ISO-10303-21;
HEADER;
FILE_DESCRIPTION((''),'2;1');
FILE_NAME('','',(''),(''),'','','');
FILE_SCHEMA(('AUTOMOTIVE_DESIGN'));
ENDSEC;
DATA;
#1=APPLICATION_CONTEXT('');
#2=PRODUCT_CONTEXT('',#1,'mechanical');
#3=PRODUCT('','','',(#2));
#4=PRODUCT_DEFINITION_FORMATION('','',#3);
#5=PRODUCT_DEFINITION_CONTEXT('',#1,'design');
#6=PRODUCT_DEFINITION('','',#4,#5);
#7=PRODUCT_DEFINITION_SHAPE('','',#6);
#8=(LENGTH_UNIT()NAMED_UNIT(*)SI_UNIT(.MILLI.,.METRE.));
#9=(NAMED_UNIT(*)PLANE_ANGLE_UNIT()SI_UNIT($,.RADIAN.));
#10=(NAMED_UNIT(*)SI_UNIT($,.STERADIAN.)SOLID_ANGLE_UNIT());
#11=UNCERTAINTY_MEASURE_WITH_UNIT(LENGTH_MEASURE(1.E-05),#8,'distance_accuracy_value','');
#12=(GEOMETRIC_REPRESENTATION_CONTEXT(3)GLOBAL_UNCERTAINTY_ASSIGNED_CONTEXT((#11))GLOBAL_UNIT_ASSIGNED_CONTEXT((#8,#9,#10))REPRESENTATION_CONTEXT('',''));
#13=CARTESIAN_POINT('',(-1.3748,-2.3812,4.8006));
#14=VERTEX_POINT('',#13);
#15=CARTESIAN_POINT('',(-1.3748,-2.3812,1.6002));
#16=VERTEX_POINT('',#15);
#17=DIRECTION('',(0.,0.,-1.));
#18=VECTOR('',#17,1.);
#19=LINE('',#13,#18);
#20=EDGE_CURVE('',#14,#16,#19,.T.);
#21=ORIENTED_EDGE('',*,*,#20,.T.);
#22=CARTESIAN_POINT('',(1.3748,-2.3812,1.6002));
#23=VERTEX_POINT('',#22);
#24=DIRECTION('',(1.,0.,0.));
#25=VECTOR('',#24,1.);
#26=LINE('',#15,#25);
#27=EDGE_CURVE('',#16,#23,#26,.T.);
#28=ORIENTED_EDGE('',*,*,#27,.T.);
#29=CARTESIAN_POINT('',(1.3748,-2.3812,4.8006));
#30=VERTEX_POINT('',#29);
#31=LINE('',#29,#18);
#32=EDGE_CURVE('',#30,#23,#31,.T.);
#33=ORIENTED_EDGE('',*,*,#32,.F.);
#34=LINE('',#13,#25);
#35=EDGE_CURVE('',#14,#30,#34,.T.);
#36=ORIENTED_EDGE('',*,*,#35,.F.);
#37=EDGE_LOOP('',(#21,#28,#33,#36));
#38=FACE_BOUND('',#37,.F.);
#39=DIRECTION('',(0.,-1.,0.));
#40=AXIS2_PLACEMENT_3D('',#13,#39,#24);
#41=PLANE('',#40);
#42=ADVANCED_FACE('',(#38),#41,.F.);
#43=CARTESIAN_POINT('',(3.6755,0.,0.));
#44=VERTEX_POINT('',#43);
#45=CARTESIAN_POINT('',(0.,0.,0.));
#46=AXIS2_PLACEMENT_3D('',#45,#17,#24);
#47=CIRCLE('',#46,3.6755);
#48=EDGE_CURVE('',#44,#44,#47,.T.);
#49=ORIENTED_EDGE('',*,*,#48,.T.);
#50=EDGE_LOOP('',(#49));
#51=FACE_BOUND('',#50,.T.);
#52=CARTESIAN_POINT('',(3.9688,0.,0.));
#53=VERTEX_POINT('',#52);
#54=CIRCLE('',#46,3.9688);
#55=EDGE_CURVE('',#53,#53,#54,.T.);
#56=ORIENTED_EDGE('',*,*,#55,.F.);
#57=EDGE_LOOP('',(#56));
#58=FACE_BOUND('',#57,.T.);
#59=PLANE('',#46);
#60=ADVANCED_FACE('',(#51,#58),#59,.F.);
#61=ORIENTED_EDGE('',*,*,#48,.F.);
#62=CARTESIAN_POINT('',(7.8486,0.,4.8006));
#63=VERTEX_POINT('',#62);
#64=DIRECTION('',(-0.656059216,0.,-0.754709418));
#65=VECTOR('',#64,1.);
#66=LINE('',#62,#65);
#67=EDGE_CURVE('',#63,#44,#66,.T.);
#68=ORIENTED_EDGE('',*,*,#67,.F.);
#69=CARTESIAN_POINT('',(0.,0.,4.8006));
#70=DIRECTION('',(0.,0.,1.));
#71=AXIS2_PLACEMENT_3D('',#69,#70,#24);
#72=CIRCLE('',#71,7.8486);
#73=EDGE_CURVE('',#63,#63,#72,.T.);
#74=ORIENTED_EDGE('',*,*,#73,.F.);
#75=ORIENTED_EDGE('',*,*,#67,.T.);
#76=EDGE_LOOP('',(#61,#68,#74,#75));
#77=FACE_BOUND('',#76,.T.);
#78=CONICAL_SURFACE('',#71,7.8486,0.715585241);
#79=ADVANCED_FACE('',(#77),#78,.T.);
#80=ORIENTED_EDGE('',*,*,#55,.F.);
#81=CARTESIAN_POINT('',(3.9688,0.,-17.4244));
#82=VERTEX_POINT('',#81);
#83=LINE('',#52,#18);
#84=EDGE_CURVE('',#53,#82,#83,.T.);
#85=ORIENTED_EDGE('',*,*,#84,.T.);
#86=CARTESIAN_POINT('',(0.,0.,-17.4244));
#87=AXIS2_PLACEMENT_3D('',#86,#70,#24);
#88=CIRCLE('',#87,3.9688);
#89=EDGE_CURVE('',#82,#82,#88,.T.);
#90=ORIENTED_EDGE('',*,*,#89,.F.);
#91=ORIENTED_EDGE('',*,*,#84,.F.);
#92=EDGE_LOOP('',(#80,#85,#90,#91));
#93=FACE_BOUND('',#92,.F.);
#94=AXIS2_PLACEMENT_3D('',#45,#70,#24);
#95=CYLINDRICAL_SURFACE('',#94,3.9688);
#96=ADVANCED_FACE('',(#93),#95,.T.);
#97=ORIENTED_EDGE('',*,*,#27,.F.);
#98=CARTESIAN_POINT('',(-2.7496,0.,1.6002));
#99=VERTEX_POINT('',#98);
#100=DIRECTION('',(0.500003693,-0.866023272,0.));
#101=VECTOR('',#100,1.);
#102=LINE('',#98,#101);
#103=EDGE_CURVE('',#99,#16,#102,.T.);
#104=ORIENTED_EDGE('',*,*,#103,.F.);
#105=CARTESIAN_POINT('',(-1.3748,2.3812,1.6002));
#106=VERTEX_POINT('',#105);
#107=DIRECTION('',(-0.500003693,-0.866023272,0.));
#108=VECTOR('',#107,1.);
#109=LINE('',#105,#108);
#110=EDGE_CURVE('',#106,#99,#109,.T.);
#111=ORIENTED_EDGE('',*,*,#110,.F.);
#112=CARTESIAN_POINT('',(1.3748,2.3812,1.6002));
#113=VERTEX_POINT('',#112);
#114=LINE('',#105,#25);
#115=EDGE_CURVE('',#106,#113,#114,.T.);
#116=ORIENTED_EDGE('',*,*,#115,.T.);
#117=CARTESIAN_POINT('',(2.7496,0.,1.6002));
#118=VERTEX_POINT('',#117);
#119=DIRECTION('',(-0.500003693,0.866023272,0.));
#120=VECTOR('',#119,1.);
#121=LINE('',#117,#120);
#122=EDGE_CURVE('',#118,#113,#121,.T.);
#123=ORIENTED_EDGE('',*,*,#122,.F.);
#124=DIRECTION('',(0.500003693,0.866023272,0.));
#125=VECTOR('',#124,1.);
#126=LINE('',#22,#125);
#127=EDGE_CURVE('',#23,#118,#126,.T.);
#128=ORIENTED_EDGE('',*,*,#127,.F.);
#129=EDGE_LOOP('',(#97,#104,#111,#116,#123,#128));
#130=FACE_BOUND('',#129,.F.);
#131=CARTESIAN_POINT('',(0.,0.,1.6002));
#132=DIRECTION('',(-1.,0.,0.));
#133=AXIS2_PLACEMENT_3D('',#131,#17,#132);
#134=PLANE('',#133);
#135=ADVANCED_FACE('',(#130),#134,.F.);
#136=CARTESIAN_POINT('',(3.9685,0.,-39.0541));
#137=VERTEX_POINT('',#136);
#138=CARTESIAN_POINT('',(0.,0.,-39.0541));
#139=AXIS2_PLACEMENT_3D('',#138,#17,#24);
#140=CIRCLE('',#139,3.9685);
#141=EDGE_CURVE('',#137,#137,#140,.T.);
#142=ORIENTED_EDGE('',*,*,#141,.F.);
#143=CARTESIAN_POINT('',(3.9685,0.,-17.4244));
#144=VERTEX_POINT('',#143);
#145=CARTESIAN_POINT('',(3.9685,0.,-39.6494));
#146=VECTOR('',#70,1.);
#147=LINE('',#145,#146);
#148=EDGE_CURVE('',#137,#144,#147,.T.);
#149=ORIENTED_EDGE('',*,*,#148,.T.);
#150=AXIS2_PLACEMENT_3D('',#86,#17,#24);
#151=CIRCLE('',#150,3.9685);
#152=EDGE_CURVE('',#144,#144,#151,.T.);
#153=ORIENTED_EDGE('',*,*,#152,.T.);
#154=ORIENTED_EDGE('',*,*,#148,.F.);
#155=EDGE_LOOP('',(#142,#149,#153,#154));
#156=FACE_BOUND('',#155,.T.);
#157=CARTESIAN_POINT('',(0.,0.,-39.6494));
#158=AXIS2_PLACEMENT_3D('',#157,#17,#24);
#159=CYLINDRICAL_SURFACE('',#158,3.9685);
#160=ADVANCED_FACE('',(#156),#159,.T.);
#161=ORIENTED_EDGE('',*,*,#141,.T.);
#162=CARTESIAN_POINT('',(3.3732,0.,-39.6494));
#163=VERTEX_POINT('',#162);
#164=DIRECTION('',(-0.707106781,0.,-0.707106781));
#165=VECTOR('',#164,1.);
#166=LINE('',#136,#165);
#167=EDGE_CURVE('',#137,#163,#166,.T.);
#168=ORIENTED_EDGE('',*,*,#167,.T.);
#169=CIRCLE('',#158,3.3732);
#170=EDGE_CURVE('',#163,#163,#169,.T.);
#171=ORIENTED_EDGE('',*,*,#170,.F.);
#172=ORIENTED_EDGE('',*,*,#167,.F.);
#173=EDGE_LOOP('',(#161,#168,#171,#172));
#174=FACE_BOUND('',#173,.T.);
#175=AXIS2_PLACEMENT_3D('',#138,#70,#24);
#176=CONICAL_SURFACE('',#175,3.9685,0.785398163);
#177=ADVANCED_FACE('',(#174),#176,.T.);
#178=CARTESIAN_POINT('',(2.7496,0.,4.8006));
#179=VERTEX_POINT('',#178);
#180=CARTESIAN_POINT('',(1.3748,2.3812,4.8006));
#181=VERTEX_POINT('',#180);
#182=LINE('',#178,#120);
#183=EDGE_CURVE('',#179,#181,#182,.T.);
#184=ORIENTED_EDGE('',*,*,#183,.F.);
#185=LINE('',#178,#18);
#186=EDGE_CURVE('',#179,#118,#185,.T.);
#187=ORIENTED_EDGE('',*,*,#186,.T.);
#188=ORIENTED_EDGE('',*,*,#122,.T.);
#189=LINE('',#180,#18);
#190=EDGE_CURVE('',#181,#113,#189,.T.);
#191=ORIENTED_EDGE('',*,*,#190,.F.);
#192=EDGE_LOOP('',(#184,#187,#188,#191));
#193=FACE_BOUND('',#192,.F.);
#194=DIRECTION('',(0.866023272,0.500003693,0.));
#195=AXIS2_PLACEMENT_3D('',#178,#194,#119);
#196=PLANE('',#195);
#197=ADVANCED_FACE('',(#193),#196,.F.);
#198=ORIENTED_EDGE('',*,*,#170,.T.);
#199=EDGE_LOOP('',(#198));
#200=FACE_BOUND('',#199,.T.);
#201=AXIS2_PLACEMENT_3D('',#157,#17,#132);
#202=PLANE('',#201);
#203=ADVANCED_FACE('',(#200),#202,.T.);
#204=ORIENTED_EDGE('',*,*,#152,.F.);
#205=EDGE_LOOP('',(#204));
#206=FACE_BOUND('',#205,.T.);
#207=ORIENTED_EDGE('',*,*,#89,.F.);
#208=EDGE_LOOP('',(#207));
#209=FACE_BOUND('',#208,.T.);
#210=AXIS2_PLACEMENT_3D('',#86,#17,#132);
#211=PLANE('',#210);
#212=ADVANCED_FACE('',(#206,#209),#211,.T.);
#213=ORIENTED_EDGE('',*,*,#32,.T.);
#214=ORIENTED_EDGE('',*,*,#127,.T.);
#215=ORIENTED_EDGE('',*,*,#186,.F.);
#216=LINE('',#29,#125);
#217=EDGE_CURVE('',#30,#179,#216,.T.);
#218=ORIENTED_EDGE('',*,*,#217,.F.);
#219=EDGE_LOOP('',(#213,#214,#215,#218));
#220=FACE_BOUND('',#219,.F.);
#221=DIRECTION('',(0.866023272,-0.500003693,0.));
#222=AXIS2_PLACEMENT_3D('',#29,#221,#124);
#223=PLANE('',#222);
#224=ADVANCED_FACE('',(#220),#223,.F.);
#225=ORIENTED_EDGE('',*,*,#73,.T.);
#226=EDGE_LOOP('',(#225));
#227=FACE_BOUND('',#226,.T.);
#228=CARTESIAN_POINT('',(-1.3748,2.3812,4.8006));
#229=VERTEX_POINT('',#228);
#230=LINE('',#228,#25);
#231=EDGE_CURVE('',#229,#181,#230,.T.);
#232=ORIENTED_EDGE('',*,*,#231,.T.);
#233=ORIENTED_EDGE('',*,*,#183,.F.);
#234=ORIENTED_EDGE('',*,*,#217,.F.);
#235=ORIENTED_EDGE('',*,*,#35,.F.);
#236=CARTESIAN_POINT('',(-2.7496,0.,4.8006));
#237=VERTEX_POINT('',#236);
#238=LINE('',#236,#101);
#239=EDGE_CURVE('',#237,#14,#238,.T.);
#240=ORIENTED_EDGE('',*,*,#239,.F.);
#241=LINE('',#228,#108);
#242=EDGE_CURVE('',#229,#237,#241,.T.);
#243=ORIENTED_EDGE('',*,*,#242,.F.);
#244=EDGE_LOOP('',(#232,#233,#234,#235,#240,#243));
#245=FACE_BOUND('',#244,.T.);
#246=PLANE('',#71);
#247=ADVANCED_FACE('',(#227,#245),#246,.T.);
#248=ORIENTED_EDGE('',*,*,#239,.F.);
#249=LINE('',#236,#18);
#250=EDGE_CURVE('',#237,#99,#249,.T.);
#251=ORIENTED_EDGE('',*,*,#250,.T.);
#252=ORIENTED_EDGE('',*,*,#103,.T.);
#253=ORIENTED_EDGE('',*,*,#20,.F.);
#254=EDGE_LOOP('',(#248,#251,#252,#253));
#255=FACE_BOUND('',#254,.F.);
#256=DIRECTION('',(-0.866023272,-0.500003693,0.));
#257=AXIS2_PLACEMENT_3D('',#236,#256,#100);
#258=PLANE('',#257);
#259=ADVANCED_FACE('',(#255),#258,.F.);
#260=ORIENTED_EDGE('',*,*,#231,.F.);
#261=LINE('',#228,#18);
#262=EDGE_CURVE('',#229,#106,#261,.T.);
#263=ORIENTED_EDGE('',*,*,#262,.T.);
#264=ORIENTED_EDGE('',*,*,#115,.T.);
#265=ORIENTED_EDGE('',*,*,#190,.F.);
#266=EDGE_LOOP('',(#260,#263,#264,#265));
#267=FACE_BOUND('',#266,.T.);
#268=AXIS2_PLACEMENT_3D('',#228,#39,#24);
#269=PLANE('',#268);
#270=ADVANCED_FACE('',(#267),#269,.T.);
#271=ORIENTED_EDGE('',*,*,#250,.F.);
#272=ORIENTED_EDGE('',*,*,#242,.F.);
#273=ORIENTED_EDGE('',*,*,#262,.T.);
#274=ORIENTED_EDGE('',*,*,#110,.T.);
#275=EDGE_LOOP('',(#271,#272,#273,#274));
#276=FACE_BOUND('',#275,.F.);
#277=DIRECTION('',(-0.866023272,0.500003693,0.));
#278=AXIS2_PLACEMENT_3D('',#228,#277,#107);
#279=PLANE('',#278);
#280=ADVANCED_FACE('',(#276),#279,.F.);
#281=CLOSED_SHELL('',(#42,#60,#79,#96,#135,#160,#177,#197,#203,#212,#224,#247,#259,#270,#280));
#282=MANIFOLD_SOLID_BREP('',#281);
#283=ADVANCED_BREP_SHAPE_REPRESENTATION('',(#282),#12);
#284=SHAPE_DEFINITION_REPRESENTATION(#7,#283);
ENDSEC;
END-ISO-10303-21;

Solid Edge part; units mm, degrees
sketch "Sketch1" plane through (0, 0, 0) normal (0, 0, 1) x (1, 0, 0)
  circle A0 centre (0, 0) radius 7.8486
  dimension "D1" = 15.6972
extrude "Protrusion1" add sketch "Sketch1" along normal blind 4.8006
sketch "Sketch2" plane through (0, 0, 0) normal (0, 0, -1) x (1, 0, 0)
  circle A0 centre (0, 0) radius 3.9688
extrude "Protrusion2" add sketch "Sketch2" along normal blind 39.6494
sketch "Sketch3" plane through (0, 0, -39.6494) normal (0, 0, -1) x (1, 0, 0)
  circle A0 centre (0, 0) radius 3.9685
extrude "Cutout1" cut sketch "Sketch3" against normal blind 22.225 flip side to cut
chamfer "Chamfer_1" distance 0.5953 angle 45 1 edges at (-3.9685, 0, -39.6494)
sketch "Sketch4" plane through (0, 0, 4.8006) normal (0, 0, 1) x (1, 0, 0)
  line L0 (-1.3748, 2.3812) -> (1.3748, 2.3812)
  line L1 (2.7496, 0) -> (1.3748, 2.3812)
  line L2 (1.3748, -2.3812) -> (2.7496, 0)
  line L3 (-1.3748, -2.3812) -> (1.3748, -2.3812)
  line L4 (-2.7496, 0) -> (-1.3748, -2.3812)
  line L5 (-1.3748, 2.3812) -> (-2.7496, 0)
  dimension "D1" = 4.7625
extrude "Cutout2" cut sketch "Sketch4" against normal blind 3.2004
sketch "Sketch5" plane through (0, 0, 0) normal (0, -1, 0) x (1, 0, 0)
  line L0 (7.8486, 4.8006) -> (3.6755, 0)
  line L1 (3.6755, 0) -> (7.8486, 0)
  line L2 (7.8486, 0) -> (7.8486, 4.8006)
revolve "RevolvedCutout1" cut sketch "Sketch5" angle 360 about axis through (0, 0, 14.0017) along (0, 0, -1)
properties part number "300495"
